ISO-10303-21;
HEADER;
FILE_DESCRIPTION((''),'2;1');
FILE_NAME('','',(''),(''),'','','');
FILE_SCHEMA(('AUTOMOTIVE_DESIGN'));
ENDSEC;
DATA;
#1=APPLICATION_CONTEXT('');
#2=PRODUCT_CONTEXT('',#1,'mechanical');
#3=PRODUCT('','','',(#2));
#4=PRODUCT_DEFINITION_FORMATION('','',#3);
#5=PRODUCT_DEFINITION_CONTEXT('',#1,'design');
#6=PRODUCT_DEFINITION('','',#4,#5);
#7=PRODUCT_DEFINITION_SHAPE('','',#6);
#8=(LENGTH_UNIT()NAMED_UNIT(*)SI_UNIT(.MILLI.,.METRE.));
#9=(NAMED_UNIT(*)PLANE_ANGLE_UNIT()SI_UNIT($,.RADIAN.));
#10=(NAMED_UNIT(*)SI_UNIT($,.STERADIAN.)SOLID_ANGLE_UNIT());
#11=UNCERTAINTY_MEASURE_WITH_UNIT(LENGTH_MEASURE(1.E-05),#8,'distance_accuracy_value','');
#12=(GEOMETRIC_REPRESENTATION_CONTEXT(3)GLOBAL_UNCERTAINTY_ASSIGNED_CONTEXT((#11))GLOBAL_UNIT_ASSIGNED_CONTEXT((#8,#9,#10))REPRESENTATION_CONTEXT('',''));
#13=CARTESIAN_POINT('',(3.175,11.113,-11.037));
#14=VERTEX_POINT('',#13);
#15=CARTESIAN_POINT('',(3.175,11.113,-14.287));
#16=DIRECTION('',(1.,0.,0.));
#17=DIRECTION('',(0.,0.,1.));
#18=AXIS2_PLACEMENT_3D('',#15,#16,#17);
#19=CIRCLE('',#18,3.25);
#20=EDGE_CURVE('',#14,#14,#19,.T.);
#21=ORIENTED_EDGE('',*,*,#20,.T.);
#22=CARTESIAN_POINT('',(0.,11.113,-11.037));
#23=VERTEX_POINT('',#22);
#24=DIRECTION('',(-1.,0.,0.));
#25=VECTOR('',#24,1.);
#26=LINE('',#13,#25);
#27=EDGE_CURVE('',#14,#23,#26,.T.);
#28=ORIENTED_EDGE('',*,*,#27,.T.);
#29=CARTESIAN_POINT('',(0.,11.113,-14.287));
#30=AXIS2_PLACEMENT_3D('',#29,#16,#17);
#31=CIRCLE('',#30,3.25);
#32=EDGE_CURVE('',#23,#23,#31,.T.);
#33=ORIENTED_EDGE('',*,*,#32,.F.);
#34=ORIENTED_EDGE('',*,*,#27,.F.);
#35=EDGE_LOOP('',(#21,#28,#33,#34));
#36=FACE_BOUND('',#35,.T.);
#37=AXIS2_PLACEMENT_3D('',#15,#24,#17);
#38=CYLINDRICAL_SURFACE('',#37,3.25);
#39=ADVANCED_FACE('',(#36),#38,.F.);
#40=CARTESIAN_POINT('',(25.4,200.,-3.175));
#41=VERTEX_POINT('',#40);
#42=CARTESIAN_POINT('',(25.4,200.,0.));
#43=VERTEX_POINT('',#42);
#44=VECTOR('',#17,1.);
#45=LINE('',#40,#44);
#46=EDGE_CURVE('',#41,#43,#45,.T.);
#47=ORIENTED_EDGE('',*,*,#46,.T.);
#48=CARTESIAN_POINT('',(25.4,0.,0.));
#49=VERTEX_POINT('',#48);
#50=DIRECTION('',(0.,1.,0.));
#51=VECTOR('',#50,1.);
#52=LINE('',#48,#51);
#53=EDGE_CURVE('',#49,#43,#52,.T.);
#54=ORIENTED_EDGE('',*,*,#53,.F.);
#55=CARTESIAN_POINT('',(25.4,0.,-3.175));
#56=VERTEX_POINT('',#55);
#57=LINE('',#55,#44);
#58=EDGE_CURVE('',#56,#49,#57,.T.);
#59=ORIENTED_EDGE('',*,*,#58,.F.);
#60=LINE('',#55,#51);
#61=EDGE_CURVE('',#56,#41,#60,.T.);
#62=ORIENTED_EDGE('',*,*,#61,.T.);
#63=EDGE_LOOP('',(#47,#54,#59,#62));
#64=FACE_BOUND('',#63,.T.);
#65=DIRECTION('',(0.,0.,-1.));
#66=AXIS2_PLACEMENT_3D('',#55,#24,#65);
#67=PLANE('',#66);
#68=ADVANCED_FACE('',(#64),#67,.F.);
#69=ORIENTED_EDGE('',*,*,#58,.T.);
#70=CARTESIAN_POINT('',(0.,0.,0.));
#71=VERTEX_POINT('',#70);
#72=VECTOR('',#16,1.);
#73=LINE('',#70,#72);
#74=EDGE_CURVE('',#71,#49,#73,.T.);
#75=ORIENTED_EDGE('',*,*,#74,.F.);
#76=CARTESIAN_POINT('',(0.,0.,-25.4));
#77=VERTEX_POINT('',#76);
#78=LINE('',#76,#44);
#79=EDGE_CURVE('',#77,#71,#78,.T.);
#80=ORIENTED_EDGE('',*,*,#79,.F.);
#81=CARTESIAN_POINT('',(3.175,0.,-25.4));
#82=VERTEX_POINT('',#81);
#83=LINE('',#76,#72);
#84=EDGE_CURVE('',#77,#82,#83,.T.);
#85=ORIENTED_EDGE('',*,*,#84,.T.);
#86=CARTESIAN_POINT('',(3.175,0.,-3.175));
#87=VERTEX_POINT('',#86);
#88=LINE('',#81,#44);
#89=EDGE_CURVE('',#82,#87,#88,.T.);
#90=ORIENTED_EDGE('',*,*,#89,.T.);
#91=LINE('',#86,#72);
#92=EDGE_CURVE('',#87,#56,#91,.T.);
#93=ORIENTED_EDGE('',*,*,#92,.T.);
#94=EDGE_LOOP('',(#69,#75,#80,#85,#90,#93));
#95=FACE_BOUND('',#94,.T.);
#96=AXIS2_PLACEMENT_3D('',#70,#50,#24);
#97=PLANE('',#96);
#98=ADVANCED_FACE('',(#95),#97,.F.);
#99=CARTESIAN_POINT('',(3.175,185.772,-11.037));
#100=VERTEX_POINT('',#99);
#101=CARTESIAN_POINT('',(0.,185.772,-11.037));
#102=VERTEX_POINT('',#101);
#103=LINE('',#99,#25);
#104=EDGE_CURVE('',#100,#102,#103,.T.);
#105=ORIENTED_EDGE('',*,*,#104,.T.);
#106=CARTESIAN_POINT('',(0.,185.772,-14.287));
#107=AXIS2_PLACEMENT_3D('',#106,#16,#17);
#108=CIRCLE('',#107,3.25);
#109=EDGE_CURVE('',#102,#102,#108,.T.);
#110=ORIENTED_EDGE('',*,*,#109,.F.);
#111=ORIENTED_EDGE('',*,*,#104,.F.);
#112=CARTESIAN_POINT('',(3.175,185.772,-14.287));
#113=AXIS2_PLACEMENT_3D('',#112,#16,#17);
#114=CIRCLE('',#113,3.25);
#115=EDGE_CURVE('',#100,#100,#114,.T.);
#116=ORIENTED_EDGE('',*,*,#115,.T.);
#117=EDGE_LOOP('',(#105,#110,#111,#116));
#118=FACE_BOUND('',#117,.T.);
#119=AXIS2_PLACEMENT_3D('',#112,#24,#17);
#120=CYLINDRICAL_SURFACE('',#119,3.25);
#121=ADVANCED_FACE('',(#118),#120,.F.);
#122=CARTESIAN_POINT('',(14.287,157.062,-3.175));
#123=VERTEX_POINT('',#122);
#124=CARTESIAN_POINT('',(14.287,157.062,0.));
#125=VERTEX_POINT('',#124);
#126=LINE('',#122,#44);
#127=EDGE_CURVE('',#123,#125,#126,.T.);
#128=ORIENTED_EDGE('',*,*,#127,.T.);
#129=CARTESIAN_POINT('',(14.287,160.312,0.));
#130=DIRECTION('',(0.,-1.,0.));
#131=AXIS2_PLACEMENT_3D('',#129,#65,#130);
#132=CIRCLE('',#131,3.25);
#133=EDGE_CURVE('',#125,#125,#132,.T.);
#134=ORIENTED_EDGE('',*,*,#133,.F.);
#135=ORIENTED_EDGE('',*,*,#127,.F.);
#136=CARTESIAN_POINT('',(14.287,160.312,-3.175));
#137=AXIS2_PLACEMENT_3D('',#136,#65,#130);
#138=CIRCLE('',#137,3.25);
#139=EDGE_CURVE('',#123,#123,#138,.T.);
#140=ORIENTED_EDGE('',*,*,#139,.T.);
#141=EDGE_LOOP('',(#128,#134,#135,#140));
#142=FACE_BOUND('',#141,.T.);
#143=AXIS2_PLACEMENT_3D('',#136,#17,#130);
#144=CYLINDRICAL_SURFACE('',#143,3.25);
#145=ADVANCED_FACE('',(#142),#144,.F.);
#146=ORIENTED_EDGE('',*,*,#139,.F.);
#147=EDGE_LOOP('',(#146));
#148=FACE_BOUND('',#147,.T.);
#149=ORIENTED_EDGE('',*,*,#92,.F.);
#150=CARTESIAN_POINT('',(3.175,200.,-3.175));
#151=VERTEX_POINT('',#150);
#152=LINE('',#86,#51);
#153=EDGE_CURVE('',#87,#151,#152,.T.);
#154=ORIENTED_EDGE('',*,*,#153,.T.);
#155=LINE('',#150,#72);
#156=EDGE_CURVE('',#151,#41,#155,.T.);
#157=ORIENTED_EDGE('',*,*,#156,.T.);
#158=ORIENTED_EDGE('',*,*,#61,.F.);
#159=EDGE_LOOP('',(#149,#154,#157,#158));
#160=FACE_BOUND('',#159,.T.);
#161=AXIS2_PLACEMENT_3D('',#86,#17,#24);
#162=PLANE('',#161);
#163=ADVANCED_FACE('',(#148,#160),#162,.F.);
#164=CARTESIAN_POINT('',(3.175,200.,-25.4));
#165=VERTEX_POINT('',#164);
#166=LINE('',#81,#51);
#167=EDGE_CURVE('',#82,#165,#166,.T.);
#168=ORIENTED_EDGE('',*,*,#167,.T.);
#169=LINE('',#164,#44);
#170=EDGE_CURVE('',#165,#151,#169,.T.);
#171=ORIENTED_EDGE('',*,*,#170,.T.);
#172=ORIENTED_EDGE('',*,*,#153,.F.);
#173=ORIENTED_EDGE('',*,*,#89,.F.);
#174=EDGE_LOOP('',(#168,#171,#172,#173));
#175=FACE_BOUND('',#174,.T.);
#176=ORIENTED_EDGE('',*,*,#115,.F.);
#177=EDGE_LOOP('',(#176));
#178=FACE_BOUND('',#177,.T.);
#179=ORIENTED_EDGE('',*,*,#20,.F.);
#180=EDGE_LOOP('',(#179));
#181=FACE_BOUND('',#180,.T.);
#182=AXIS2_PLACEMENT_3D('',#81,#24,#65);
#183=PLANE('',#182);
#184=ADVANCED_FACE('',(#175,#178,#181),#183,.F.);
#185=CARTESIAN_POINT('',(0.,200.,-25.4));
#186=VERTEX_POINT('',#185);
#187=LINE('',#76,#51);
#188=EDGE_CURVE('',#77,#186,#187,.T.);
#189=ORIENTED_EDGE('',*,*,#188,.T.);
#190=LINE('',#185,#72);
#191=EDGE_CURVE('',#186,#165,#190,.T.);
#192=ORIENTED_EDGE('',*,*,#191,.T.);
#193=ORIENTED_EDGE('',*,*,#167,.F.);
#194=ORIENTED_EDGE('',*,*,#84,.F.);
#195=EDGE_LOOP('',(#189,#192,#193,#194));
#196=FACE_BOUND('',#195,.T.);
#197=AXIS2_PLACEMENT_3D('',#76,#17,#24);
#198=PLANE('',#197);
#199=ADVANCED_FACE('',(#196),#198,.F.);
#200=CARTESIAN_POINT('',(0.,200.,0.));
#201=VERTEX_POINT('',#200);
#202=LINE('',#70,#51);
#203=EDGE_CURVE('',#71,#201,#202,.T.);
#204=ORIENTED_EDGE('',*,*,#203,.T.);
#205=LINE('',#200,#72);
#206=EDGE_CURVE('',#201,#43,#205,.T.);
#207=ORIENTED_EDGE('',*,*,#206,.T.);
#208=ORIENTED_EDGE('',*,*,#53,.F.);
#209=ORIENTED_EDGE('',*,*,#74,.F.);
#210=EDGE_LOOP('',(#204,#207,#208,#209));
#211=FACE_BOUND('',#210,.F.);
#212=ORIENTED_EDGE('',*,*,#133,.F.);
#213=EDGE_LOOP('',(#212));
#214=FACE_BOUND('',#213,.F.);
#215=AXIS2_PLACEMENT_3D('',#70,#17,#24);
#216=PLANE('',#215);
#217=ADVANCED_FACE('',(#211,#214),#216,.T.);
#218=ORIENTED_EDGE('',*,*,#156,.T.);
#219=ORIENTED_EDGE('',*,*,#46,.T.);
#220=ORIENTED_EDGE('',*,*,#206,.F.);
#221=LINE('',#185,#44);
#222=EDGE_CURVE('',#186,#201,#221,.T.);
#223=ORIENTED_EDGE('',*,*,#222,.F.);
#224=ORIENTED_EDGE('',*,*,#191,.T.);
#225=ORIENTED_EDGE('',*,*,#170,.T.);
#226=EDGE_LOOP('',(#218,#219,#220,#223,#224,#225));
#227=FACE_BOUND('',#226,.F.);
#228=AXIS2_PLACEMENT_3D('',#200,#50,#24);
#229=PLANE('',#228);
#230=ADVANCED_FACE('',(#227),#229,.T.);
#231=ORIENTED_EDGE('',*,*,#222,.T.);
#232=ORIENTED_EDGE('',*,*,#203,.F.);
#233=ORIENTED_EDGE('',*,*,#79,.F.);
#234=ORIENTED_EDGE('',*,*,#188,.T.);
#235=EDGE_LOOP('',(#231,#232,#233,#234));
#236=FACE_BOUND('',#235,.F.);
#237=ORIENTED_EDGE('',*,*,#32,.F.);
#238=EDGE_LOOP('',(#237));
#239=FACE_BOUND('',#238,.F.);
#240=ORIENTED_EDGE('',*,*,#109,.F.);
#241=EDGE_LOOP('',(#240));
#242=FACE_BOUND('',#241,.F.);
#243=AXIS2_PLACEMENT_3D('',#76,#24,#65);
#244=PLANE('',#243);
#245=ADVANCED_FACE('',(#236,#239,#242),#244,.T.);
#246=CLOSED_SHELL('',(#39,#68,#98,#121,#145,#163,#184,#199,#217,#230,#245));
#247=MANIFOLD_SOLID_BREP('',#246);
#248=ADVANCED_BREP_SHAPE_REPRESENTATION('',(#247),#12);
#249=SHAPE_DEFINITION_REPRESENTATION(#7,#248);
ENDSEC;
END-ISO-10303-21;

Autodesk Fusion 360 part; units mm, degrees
sketch "Sketch1" plane through (0, 0, 0) normal (0, 1, 0) x (1, 0, 0)
  line L0 (0, -25.4) -> (0, 0)
  line L1 (0, 0) -> (25.4, 0)
  line L2 (12.7, -12.7) -> (11.05, -11.05) construction
  line L3 (3.175, -25.4) -> (3.175, -3.175)
  line L4 (3.175, -3.175) -> (25.4, -3.175)
  line L5 (25.4, -3.175) -> (25.4, 0)
  line L6 (0, -25.4) -> (3.175, -25.4)
  dimension "d1" = 25.4
  dimension "d2" = 25.4
  dimension "d13" = 3.175
extrude "Extrude1" add sketch "Sketch1" along normal blind 200 makes body 1
hole "Hole3" at (3.175, 11.113, 14.287) direction (-1, 0, 0) diameter 6.5 end through all bodies 1 1
hole "Hole4" at (3.175, 185.772, 14.287) direction (-1, 0, 0) diameter 6.5 depth 30 tip angle 118 bodies 1
hole "Hole5" at (14.287, 160.312, 3.175) direction (0, 0, -1) diameter 6.5 depth 30 tip angle 118 bodies 1
mirror "Mirror2" about plane through (0, 0, 0) normal (0, 0, -1) of bodies 1 makes body 2
delete_body "RemoveBody1" bodies 1
